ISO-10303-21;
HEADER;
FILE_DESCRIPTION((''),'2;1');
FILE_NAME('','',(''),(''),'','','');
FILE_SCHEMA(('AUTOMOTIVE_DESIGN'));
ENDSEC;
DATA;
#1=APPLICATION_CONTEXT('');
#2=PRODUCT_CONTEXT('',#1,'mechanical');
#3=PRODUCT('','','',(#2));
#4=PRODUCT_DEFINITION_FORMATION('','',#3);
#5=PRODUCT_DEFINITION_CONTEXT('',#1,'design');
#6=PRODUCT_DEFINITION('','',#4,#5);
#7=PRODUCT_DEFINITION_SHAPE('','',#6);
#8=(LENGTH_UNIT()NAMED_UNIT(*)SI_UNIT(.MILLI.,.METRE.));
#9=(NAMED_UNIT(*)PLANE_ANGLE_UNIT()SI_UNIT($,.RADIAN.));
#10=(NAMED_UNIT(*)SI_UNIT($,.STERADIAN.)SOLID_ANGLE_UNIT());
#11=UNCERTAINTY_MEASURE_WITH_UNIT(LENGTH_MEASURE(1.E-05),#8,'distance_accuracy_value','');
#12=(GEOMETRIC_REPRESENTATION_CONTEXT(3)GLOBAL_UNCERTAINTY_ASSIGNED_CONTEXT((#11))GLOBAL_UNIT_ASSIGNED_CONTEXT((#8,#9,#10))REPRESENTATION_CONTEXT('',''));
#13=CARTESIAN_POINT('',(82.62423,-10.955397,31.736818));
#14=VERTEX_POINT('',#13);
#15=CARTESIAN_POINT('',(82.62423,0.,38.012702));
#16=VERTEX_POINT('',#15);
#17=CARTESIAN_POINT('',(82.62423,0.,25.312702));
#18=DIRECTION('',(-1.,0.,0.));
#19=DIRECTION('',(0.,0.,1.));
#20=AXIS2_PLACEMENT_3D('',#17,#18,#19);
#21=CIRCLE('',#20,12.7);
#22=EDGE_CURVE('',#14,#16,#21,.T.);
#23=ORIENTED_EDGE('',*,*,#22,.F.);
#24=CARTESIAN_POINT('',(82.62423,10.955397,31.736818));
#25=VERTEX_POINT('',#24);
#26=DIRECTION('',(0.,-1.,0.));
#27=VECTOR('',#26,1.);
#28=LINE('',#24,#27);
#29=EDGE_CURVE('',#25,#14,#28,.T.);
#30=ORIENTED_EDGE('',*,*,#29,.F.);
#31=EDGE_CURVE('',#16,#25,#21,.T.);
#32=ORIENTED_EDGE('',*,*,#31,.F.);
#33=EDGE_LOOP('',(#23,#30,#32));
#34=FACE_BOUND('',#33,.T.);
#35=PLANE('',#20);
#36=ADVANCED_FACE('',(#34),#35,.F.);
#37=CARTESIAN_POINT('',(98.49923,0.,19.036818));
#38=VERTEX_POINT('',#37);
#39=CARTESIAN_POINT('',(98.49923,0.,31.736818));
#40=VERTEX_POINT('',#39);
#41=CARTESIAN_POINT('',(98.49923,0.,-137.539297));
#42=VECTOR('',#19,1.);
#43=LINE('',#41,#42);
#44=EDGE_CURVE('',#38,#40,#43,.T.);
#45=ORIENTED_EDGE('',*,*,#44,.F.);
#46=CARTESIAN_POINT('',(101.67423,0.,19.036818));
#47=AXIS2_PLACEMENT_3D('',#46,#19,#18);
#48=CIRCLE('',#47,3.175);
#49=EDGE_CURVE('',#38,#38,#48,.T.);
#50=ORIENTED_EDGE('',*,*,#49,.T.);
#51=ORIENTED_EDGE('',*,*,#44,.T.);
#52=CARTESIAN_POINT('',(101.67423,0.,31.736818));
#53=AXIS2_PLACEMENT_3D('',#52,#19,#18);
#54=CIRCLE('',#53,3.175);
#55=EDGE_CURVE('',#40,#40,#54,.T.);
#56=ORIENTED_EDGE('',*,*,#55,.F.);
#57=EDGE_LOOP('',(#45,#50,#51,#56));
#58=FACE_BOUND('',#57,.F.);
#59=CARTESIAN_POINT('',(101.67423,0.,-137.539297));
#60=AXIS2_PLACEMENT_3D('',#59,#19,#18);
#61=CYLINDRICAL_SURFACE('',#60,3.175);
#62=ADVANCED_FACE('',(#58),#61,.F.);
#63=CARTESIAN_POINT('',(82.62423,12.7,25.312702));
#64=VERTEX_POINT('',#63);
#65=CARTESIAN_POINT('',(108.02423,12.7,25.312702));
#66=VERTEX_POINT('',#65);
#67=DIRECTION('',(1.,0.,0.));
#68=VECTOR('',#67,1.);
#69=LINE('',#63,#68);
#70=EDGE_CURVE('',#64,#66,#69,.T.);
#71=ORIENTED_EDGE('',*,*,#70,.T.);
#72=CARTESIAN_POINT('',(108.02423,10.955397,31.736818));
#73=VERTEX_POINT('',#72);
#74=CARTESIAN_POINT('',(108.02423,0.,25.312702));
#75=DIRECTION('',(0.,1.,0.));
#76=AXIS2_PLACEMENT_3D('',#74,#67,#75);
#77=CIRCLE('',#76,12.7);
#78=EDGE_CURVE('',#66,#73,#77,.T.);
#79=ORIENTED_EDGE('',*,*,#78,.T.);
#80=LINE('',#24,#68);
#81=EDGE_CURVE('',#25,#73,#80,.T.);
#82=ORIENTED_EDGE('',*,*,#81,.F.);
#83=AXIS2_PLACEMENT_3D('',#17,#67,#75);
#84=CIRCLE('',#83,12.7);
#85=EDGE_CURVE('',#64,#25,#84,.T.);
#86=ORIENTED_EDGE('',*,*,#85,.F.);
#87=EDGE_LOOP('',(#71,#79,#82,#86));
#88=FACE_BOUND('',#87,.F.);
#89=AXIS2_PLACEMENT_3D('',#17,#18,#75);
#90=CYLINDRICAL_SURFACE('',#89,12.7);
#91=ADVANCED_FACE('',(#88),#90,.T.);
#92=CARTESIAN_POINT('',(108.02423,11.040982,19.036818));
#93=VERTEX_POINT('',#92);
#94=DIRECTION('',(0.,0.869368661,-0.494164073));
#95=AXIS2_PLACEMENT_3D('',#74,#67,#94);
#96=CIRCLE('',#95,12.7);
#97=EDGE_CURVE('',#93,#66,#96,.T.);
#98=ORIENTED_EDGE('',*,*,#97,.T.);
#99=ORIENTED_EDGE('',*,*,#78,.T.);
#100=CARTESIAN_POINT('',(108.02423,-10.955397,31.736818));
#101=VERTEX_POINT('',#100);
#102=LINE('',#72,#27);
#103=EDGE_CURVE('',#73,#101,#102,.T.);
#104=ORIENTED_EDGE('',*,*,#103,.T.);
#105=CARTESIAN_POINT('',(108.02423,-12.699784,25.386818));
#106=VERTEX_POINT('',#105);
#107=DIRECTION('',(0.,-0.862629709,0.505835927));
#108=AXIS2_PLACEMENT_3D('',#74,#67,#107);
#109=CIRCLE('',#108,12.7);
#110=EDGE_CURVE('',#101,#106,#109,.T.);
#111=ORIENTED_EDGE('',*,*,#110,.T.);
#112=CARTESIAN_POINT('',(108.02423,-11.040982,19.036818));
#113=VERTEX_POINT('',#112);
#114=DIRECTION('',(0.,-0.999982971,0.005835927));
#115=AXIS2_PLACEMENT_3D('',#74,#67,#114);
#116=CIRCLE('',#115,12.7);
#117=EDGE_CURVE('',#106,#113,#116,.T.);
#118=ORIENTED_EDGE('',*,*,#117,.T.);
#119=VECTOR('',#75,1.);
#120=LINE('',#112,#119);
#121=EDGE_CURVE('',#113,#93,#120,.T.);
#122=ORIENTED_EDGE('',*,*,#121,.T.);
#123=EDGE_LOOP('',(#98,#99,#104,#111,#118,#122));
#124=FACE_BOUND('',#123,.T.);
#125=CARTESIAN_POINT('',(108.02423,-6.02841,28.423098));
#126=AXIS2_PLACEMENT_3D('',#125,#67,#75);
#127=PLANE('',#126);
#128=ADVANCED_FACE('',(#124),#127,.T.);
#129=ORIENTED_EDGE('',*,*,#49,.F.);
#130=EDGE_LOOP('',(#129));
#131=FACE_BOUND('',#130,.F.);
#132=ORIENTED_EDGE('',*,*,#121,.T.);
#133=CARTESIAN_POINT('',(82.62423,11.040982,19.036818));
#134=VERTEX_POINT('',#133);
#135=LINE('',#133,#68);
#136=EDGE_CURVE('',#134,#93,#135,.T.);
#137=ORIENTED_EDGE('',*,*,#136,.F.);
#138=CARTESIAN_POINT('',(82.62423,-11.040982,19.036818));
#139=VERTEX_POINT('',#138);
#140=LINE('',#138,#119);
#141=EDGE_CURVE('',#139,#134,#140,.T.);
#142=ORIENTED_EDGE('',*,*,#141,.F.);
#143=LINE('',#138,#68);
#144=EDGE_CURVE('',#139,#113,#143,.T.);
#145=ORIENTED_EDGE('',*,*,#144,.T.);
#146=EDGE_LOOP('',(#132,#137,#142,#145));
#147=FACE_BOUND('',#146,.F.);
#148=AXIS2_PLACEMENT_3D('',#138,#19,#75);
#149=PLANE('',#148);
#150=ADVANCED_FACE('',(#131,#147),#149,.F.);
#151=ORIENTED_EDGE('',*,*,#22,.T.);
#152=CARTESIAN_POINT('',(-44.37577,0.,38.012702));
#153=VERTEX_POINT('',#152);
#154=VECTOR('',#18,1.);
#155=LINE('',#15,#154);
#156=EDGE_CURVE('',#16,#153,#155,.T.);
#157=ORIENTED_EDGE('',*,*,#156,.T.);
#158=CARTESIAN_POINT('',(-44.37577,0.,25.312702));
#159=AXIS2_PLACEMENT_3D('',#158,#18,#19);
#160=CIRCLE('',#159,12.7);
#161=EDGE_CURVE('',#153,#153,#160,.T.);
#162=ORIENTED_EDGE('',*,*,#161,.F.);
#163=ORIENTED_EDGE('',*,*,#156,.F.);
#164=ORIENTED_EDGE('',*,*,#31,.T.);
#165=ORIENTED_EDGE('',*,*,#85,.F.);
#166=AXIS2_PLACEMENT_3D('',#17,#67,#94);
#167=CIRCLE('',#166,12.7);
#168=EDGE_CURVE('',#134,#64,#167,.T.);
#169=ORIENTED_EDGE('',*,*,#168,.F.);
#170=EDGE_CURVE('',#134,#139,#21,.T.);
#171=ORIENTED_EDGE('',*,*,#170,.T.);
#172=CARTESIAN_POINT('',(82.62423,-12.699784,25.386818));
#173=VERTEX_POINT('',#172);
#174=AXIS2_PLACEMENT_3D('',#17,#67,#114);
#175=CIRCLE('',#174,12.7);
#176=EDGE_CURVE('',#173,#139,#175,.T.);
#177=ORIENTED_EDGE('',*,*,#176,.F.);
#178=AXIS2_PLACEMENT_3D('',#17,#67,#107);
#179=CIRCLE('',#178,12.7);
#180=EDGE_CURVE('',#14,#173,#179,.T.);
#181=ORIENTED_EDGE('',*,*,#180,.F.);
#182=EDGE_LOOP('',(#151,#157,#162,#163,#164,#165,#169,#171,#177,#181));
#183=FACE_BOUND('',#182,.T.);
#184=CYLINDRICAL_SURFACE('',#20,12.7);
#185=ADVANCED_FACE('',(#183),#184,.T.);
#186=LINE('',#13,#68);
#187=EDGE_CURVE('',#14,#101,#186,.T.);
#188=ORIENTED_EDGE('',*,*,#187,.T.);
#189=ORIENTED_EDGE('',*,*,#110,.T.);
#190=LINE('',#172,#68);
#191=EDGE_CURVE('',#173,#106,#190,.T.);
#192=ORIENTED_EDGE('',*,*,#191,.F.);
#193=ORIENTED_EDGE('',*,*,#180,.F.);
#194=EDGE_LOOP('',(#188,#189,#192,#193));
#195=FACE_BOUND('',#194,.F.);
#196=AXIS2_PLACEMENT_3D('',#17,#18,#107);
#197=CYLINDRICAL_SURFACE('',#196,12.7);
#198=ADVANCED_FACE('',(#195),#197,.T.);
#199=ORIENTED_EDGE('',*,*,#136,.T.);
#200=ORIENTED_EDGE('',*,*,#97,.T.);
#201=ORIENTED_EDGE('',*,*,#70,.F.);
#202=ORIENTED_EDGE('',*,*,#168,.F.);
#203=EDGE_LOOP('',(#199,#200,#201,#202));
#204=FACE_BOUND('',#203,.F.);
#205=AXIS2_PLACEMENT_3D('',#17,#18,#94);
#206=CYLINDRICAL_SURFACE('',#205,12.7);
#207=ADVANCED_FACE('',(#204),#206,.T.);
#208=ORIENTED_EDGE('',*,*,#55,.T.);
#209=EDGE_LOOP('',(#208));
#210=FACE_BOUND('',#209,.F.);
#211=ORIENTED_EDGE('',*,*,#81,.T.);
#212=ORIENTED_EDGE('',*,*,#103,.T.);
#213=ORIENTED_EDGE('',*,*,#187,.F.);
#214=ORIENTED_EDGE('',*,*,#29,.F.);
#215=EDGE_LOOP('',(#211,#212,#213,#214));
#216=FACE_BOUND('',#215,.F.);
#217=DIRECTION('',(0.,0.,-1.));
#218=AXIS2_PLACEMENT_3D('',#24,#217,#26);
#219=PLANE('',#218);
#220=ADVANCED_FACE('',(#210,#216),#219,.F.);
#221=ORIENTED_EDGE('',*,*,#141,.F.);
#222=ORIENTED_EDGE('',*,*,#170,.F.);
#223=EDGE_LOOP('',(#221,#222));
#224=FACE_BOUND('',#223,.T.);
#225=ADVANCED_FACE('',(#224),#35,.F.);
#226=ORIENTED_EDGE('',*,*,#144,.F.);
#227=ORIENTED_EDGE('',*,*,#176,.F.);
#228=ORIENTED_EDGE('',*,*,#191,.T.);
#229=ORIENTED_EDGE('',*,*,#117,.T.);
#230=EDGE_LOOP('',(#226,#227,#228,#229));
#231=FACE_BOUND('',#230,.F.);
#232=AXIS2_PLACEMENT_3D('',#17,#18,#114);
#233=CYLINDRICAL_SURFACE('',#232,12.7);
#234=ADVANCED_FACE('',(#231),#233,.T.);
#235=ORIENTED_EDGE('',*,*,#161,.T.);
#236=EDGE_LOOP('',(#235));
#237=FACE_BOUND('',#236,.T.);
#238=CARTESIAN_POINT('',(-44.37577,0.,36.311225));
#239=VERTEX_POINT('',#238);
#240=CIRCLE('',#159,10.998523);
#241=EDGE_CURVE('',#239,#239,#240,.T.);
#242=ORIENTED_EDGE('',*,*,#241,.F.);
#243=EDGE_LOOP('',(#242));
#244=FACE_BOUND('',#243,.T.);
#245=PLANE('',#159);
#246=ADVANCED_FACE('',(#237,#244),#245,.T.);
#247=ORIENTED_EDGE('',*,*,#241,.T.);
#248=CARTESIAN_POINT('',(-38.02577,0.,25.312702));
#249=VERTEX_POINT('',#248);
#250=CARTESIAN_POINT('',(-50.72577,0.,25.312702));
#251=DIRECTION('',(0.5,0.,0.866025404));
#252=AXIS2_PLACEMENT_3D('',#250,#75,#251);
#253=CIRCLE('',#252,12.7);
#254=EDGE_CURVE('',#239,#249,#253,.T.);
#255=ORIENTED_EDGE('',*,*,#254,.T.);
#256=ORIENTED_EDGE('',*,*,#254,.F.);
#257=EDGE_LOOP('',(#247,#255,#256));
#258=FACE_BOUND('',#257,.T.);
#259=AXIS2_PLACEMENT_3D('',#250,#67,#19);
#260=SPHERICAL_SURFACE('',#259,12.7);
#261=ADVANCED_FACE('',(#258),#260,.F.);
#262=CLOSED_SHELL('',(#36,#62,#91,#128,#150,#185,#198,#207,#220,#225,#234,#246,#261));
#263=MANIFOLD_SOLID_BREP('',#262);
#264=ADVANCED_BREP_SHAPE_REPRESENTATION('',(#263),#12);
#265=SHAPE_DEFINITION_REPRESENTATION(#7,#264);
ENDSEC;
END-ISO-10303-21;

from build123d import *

# Parameters (mm, degrees)
F3_DEPTH = 25.4
F5_D     = 6.35


with BuildPart() as f1:
    # F0 (on Front) → F1 (revolve)
    with BuildSketch(Plane.XZ):
        with BuildLine():
            Line((82.624230206, 38.012702018), (-44.375769794, 38.012702018))
            Line((-44.375769794, 38.012702018), (-44.375769794, 36.3112246461))
            ThreePointArc((-44.375769794, 36.3112246461), (-39.7272471659, 31.662702018), (-38.025769794, 25.312702018))
            Line((-38.025769794, 25.312702018), (82.624230206, 25.312702018))
            Line((82.624230206, 25.312702018), (82.624230206, 31.662702018))
            Line((82.624230206, 31.662702018), (82.624230206, 38.012702018))
        make_face()
    revolve(axis=Axis((15.949230206, 0, 25.312702018), (-1, 0, 0)))

    # F2 (on face) → F3 (join)
    with BuildSketch(Plane.YZ.offset(82.624230206)):
        with BuildLine():
            Line((0, 25.3868182957), (0, 31.7368182957))
            Line((0, 31.7368182957), (-10.9553973023, 31.7368182957))
            ThreePointArc((-10.9553973023, 31.7368182957), (-12.2463268947, 28.6768479108), (-12.6997837296, 25.3868182957))
            Line((-12.6997837296, 25.3868182957), (0, 25.3868182957))
        make_face()
        with BuildLine():
            Line((0, 19.0368182957), (0, 25.3868182957))
            Line((0, 25.3868182957), (-12.6997837296, 25.3868182957))
            ThreePointArc((-12.6997837296, 25.3868182957), (-12.2876610608, 22.1028132887), (-11.0409819991, 19.0368182957))
            Line((-11.0409819991, 19.0368182957), (0, 19.0368182957))
        make_face()
        with BuildLine():
            Line((10.9553973023, 31.7368182957), (0, 31.7368182957))
            Line((0, 31.7368182957), (0, 25.3868182957))
            Line((0, 25.3868182957), (0, 19.0368182957))
            Line((0, 19.0368182957), (11.0409819991, 19.0368182957))
            ThreePointArc((11.0409819991, 19.0368182957), (12.2782423699, 22.0669718527), (12.7, 25.312702018))
            ThreePointArc((12.7, 25.312702018), (12.2560912558, 28.6410990993), (10.9553973023, 31.7368182957))
        make_face()
    extrude(amount=F3_DEPTH)

    # F5 (through all)
    with Locations(Plane(origin=(0, 0, 19.0368182957), x_dir=(1, 0, 0), z_dir=(0, 0, -1))):
        with Locations((101.674230206, 0)):
            Hole(F5_D / 2)


solid = f1.part
